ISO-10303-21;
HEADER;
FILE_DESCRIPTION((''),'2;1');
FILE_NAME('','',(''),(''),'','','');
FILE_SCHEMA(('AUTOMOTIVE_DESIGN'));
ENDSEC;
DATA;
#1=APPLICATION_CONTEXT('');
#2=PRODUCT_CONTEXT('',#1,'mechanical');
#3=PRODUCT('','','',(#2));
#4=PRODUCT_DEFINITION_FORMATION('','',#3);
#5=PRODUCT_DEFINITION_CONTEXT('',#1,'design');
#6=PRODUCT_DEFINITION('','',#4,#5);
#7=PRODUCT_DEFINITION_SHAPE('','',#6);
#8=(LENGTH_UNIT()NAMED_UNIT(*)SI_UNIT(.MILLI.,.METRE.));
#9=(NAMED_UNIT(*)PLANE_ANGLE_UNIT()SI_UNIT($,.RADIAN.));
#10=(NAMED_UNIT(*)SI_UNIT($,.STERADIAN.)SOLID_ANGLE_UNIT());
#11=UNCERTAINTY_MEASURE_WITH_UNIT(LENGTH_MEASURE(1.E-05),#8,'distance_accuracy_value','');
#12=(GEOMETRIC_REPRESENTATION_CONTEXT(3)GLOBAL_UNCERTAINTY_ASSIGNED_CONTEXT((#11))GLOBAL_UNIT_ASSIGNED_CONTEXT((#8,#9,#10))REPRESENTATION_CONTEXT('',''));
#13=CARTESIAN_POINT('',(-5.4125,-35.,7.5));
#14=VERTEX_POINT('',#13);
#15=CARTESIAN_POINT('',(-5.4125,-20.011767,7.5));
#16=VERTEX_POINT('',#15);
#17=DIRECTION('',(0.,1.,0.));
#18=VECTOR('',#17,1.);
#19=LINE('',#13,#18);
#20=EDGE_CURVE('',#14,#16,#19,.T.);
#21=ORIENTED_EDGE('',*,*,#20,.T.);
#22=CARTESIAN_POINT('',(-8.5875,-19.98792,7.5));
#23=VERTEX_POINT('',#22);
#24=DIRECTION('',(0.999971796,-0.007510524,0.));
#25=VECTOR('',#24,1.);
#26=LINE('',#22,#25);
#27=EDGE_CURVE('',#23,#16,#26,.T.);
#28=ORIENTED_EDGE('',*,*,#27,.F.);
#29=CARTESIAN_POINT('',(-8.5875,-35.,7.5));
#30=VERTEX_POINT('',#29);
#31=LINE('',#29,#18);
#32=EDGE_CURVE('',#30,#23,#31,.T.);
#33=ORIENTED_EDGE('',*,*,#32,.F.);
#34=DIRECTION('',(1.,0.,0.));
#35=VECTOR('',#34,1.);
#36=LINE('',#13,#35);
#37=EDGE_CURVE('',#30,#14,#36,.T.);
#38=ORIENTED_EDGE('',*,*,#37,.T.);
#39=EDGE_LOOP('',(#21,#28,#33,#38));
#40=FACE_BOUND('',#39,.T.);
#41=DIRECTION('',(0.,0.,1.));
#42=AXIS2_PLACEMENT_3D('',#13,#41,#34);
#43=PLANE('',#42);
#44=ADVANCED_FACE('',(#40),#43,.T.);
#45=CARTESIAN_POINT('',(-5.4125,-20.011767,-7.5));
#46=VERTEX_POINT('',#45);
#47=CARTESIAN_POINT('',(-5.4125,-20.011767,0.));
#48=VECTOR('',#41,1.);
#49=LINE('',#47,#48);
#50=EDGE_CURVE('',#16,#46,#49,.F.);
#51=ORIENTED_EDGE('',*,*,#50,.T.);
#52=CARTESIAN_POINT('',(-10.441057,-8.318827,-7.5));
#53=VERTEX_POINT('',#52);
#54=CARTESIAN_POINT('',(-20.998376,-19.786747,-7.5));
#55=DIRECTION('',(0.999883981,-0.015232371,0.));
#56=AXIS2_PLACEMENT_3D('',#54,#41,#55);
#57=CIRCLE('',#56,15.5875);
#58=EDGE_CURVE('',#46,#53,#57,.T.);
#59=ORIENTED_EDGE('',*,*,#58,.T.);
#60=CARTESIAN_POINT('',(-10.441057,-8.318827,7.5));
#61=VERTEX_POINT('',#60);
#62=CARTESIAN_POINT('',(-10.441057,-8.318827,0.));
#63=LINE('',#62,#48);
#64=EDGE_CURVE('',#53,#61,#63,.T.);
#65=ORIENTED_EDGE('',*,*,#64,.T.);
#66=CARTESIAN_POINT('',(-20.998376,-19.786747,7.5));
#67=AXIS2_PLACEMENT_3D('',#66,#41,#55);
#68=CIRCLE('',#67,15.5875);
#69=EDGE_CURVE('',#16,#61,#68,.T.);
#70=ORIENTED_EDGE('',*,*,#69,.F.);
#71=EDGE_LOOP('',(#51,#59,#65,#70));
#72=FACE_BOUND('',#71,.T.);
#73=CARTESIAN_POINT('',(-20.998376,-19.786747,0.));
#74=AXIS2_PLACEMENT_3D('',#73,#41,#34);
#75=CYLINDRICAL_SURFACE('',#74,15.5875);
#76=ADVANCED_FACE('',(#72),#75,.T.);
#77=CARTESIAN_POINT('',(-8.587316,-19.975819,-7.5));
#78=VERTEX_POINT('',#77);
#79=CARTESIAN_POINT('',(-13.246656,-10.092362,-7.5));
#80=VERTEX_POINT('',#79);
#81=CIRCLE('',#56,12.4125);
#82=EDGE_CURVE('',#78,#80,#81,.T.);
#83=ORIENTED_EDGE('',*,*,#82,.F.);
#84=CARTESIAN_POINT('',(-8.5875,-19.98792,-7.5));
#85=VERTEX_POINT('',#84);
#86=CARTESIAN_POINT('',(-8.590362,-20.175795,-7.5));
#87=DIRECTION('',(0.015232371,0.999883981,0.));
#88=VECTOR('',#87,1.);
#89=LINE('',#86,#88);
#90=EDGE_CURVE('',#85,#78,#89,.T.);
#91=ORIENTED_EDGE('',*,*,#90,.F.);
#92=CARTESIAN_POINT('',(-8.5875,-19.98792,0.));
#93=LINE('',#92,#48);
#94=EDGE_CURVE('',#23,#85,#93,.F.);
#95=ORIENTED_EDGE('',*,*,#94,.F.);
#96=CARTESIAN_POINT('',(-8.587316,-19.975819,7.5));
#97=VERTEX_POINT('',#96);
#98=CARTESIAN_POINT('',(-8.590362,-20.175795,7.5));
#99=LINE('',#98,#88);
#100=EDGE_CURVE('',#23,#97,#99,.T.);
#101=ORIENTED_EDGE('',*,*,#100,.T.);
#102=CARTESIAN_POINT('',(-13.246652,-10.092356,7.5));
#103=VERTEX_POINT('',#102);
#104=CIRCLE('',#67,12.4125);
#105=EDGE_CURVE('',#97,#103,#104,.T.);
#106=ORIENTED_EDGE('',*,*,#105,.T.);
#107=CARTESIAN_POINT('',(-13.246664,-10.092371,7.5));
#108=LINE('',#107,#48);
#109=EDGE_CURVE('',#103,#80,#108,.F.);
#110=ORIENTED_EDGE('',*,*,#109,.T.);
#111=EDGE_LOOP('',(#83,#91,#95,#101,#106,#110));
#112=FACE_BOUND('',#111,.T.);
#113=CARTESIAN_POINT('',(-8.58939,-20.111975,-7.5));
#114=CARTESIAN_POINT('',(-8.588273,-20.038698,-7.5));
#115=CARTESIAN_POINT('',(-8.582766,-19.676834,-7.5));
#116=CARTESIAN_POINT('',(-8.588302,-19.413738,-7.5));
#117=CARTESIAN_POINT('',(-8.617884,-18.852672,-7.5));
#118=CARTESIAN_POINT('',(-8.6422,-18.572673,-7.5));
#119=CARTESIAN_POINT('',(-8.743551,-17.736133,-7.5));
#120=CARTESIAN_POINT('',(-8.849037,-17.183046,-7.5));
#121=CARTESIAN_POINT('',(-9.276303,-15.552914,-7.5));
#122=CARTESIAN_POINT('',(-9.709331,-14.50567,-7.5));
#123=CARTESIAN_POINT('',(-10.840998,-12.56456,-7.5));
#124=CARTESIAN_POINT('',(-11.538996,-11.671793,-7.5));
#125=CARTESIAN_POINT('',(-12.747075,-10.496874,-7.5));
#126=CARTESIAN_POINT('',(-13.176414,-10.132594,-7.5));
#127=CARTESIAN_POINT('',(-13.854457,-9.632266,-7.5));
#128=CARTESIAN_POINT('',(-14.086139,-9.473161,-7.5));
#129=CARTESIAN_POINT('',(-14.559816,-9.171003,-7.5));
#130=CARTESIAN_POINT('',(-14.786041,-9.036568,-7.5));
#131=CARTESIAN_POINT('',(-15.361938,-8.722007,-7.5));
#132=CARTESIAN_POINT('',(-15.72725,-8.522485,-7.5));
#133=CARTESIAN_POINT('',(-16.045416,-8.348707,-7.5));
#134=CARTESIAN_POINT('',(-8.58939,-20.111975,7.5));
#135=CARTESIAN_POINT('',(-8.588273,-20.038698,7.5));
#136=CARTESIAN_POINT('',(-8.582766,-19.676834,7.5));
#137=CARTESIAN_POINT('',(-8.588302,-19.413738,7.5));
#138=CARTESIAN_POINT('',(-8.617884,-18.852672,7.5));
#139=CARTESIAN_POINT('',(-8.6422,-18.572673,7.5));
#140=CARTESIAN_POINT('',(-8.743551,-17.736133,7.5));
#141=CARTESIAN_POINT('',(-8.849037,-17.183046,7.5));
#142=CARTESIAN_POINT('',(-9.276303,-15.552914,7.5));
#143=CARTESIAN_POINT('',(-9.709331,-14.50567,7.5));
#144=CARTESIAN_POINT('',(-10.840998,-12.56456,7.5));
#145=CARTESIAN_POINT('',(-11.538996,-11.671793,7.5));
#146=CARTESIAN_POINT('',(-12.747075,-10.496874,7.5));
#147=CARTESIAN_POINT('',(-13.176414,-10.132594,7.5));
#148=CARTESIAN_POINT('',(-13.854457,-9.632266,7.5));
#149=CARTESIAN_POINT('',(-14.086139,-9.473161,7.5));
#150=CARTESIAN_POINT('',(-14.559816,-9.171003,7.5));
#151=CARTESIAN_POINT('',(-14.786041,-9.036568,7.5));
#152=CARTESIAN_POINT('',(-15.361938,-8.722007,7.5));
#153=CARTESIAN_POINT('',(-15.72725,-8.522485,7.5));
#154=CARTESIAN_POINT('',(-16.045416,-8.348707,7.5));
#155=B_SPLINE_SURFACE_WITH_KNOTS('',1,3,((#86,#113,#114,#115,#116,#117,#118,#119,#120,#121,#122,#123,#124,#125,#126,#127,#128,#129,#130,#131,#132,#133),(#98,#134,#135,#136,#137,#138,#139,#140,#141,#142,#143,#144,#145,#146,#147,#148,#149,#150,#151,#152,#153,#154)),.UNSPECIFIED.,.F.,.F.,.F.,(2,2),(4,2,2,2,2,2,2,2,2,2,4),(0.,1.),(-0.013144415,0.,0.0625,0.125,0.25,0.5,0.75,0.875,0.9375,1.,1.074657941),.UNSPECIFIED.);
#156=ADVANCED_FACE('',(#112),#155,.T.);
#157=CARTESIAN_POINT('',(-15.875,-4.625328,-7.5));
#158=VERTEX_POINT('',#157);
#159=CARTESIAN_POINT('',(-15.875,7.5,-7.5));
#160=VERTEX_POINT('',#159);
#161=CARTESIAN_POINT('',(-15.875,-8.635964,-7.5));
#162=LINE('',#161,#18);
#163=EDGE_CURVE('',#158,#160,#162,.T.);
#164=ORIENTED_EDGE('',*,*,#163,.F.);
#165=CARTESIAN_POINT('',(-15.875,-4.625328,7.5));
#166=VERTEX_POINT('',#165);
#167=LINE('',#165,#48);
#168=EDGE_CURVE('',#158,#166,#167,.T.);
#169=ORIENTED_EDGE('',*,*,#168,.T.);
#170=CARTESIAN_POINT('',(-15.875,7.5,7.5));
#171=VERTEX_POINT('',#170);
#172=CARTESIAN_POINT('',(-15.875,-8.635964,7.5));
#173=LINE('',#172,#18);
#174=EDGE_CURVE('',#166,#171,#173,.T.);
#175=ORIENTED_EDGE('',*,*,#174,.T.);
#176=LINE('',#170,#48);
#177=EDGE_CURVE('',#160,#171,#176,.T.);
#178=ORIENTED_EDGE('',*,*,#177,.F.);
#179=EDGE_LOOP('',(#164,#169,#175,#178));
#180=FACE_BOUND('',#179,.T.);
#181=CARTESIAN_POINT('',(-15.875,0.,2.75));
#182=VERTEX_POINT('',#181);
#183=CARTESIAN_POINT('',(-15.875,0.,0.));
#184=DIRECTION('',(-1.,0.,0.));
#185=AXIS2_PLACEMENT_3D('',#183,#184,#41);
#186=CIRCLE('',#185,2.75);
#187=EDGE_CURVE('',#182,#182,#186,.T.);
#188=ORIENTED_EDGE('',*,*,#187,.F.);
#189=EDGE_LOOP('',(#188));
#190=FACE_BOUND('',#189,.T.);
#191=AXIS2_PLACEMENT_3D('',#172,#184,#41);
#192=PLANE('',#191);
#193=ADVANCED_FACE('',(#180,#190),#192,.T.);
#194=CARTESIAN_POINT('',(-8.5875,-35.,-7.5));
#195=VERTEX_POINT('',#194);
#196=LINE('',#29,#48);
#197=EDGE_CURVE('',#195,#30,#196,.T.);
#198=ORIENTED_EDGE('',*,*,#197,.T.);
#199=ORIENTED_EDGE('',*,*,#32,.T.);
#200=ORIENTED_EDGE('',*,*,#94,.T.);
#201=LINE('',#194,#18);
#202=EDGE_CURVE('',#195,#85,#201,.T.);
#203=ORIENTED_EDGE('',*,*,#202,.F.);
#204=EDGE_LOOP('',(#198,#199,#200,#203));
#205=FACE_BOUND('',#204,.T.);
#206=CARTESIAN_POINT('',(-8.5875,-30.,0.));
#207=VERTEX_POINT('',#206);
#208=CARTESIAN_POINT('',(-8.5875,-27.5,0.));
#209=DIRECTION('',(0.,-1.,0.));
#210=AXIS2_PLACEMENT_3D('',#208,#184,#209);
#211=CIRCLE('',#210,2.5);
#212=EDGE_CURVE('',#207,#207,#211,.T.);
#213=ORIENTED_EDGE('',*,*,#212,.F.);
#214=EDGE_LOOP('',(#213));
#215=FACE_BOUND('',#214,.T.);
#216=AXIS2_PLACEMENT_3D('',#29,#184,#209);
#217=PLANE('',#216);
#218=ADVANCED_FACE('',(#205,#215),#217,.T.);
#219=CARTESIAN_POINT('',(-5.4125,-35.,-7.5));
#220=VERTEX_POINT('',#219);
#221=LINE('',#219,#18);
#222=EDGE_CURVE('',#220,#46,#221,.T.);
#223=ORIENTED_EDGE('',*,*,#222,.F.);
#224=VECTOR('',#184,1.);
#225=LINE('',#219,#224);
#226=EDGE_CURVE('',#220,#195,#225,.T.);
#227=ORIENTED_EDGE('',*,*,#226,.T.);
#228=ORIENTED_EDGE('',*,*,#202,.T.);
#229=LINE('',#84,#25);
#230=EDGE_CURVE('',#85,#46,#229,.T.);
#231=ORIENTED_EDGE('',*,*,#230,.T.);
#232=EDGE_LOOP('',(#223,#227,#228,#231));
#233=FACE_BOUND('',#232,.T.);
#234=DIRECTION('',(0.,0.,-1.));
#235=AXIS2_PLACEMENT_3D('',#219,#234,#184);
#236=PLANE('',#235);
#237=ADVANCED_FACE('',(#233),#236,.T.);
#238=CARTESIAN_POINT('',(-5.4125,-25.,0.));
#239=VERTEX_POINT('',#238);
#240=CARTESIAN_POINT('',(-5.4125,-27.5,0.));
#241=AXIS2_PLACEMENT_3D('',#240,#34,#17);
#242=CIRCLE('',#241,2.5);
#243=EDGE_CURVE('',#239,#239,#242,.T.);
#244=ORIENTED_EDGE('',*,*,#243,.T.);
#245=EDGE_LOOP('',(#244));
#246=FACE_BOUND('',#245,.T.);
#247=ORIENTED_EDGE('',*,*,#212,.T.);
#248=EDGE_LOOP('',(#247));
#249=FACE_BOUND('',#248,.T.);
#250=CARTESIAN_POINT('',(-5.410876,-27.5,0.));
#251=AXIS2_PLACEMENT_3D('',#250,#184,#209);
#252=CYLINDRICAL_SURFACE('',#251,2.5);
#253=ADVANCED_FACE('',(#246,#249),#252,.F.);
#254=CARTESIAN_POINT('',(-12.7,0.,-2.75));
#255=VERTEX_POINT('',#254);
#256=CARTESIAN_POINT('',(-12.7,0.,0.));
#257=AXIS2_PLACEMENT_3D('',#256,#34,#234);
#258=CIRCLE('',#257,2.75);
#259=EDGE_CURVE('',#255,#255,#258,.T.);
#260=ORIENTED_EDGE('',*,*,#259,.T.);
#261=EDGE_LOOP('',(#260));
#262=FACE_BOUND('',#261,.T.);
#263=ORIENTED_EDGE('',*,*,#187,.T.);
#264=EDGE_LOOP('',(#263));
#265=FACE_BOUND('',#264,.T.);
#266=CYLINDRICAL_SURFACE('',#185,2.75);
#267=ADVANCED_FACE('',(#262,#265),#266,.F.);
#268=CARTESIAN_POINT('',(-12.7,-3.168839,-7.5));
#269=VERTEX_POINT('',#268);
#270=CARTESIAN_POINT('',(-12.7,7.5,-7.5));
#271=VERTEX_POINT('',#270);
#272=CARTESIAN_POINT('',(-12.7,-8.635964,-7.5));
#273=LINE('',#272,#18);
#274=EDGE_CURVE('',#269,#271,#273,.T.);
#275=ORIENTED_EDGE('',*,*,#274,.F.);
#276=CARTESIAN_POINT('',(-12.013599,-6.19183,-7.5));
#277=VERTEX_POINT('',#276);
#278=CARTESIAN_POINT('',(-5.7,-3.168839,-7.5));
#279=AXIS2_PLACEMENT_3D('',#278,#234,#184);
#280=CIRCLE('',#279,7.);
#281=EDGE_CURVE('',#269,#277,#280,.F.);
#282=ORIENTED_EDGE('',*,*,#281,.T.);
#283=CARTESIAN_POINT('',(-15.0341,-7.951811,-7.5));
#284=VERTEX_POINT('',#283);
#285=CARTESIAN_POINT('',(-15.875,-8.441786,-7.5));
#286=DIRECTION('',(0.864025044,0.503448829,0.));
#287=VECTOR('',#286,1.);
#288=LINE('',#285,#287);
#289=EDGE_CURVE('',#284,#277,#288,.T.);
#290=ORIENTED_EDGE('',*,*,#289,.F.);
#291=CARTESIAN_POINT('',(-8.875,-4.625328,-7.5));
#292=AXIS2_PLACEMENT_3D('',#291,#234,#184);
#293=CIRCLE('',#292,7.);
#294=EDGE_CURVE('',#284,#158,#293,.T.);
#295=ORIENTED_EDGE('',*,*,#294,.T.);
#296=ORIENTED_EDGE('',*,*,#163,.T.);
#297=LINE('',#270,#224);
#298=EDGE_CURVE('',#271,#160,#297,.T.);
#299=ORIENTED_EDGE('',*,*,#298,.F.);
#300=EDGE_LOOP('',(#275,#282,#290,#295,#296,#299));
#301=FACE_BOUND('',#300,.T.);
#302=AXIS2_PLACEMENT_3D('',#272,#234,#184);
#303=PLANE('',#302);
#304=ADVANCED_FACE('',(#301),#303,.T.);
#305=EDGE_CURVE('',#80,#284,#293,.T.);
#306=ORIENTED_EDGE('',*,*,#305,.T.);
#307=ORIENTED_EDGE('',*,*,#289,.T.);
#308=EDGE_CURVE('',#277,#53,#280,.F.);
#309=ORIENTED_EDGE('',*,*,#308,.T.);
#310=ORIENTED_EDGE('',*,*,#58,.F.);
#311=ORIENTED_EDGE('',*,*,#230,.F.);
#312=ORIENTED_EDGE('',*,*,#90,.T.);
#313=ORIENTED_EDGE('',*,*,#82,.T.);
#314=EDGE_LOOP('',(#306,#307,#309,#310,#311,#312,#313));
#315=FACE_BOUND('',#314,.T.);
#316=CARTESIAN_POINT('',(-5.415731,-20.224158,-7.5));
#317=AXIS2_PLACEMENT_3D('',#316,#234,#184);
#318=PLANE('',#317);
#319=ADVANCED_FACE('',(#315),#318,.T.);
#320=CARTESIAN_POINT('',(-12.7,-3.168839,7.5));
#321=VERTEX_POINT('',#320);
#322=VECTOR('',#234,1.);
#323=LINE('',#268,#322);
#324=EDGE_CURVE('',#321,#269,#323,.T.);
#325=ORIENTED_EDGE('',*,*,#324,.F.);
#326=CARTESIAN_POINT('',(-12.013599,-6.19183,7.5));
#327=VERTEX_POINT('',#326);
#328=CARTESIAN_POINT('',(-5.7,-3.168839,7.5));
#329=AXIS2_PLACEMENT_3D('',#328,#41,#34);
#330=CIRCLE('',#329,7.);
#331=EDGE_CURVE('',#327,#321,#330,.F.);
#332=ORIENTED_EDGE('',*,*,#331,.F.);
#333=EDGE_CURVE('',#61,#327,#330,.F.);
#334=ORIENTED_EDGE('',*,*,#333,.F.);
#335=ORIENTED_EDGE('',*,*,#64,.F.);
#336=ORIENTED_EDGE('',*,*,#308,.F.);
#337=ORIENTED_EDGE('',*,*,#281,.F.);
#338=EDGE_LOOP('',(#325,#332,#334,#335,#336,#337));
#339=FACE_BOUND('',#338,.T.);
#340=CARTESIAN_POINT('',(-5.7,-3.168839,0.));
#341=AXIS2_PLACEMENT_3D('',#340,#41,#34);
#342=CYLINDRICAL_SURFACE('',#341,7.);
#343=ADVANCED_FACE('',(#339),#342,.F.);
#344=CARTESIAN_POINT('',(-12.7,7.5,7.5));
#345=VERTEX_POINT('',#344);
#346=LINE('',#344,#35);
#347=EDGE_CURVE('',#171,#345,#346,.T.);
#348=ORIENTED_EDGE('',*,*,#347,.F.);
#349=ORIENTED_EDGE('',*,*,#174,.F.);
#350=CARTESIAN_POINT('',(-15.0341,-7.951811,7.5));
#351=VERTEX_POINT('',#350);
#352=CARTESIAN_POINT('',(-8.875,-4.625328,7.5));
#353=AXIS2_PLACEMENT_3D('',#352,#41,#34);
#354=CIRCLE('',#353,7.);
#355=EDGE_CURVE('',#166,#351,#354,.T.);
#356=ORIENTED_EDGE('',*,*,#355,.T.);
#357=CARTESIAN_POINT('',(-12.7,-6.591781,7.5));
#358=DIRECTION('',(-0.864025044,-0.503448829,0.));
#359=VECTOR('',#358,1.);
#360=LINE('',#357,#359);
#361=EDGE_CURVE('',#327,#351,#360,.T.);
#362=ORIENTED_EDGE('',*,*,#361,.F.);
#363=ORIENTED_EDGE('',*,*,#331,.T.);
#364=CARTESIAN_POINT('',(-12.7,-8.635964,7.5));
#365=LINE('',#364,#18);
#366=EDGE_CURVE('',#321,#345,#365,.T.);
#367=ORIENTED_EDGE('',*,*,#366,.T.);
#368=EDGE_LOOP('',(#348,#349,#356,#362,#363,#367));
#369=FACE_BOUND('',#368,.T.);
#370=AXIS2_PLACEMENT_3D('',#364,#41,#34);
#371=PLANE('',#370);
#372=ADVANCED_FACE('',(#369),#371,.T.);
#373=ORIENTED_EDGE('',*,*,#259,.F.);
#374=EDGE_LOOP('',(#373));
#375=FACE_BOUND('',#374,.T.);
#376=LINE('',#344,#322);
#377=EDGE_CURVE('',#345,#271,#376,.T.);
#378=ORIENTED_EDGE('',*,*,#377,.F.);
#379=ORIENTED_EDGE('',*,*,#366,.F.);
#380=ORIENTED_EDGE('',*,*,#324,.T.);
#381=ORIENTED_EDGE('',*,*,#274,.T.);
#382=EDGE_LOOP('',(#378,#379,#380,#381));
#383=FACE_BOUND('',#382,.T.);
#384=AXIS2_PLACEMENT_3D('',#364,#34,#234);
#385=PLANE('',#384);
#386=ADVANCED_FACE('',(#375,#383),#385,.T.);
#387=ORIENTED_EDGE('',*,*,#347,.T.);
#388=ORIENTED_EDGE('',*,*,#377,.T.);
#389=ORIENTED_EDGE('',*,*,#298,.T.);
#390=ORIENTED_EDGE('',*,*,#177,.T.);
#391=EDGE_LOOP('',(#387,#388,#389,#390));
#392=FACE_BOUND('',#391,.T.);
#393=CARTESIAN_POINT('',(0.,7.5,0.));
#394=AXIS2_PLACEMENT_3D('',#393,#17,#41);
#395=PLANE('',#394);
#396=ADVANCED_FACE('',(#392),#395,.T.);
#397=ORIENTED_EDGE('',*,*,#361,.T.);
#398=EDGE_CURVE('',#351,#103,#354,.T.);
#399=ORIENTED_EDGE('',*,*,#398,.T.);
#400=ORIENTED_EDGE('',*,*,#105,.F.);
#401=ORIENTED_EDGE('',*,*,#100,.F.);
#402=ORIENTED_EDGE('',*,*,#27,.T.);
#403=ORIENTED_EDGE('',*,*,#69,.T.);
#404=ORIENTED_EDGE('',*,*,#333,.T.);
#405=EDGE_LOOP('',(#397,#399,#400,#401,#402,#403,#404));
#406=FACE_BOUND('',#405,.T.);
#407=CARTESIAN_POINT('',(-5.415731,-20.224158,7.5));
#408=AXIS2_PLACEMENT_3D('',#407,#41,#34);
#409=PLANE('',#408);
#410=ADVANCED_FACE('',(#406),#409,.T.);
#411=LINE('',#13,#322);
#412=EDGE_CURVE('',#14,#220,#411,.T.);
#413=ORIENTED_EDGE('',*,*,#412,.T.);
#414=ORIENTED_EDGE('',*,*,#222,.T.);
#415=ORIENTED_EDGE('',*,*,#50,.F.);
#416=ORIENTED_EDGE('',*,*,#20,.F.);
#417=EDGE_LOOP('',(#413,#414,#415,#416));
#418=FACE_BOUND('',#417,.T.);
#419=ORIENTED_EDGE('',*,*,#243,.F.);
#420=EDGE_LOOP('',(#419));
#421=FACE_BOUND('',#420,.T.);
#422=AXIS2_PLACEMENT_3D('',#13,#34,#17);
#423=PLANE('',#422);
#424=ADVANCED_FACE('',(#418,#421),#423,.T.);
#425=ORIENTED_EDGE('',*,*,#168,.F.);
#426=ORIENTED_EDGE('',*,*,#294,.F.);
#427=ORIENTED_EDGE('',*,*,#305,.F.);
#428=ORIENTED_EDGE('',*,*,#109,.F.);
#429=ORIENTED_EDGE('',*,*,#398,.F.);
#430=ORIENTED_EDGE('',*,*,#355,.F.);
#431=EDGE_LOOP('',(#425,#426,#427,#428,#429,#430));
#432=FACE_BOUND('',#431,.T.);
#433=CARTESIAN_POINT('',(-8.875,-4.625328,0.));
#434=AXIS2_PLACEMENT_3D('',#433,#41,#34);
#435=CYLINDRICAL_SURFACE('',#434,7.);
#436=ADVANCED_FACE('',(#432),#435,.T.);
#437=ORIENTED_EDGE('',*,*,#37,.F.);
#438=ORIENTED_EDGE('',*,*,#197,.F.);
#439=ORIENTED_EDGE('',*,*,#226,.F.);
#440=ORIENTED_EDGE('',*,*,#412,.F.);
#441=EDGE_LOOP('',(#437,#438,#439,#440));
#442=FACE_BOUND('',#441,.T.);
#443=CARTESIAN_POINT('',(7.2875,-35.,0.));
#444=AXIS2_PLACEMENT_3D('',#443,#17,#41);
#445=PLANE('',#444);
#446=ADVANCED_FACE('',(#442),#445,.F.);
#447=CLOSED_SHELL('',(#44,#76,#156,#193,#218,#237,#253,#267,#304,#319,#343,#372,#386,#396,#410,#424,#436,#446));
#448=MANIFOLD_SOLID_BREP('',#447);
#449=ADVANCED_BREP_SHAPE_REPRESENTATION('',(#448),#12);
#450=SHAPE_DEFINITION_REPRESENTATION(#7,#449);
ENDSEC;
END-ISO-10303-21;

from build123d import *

# Parameters (mm, degrees)
FILLET1_R               = 7
M5_CLEARANCE_HOLE1_D    = 5.5
CUT_EXTRUDE1_DEPTH      = 37.52886072966826
CUT_EXTRUDE1_DEPTH_BACK = 37.52886072966826
SKETCH3_R               = 2.4999999999999996


with BuildPart() as part:
    # Sweep1: sweep along a path in Sketch1
    with BuildLine(Plane.XY) as sweep1_path:
        Line((-14.2875, 7.5), (-14.2875, -7.5))
        ThreePointArc((-14.2875, -7.5), (-8.903716825795872, -12.735560659438995), (-7.000000000000001, -20))
        Line((-7.000000000000001, -20), (-6.999999999999999, -35))
    # Sketch2 → Sweep1 (sweep)
    with BuildSketch(Plane(origin=(0, 0, 0), x_dir=(1, 0, 0), z_dir=(0, 1, 0))):
        Polygon((-12.699999999999996, -7.499999999999996), (-15.874999999999996, -7.499999999999996), (-15.874999999999996, 7.500000000000004), (-12.699999999999996, 7.500000000000005), align=None)
    sweep(path=sweep1_path.line, transition=Transition.RIGHT)

    # Fillet1
    fillet1_edges = [part.edges().sort_by_distance(p)[0] for p in [
        (-15.874999999999996, -8.441785890670294, -1.599e-14),
        (-12.699999999999996, -6.5917812273426035, -7.11e-15),
    ]]
    fillet(fillet1_edges, radius=FILLET1_R)

    # M5 Clearance Hole1 (through all)
    with Locations(Plane.ZY.offset(15.874999999999996)):
        with Locations((0, 0)):
            Hole(M5_CLEARANCE_HOLE1_D / 2)

    # Sketch3 → Cut-Extrude1 (cut, two sides: drawn at the far end of the back side and taken through both)
    with BuildSketch(Plane.ZY.offset(8.587500000000007).offset(-CUT_EXTRUDE1_DEPTH_BACK)):
        with Locations(Location((0, -27.500000000000004, 0), (0, 0, 270))):
            Circle(SKETCH3_R)
    extrude(amount=CUT_EXTRUDE1_DEPTH + CUT_EXTRUDE1_DEPTH_BACK, mode=Mode.SUBTRACT)


solid = part.part
